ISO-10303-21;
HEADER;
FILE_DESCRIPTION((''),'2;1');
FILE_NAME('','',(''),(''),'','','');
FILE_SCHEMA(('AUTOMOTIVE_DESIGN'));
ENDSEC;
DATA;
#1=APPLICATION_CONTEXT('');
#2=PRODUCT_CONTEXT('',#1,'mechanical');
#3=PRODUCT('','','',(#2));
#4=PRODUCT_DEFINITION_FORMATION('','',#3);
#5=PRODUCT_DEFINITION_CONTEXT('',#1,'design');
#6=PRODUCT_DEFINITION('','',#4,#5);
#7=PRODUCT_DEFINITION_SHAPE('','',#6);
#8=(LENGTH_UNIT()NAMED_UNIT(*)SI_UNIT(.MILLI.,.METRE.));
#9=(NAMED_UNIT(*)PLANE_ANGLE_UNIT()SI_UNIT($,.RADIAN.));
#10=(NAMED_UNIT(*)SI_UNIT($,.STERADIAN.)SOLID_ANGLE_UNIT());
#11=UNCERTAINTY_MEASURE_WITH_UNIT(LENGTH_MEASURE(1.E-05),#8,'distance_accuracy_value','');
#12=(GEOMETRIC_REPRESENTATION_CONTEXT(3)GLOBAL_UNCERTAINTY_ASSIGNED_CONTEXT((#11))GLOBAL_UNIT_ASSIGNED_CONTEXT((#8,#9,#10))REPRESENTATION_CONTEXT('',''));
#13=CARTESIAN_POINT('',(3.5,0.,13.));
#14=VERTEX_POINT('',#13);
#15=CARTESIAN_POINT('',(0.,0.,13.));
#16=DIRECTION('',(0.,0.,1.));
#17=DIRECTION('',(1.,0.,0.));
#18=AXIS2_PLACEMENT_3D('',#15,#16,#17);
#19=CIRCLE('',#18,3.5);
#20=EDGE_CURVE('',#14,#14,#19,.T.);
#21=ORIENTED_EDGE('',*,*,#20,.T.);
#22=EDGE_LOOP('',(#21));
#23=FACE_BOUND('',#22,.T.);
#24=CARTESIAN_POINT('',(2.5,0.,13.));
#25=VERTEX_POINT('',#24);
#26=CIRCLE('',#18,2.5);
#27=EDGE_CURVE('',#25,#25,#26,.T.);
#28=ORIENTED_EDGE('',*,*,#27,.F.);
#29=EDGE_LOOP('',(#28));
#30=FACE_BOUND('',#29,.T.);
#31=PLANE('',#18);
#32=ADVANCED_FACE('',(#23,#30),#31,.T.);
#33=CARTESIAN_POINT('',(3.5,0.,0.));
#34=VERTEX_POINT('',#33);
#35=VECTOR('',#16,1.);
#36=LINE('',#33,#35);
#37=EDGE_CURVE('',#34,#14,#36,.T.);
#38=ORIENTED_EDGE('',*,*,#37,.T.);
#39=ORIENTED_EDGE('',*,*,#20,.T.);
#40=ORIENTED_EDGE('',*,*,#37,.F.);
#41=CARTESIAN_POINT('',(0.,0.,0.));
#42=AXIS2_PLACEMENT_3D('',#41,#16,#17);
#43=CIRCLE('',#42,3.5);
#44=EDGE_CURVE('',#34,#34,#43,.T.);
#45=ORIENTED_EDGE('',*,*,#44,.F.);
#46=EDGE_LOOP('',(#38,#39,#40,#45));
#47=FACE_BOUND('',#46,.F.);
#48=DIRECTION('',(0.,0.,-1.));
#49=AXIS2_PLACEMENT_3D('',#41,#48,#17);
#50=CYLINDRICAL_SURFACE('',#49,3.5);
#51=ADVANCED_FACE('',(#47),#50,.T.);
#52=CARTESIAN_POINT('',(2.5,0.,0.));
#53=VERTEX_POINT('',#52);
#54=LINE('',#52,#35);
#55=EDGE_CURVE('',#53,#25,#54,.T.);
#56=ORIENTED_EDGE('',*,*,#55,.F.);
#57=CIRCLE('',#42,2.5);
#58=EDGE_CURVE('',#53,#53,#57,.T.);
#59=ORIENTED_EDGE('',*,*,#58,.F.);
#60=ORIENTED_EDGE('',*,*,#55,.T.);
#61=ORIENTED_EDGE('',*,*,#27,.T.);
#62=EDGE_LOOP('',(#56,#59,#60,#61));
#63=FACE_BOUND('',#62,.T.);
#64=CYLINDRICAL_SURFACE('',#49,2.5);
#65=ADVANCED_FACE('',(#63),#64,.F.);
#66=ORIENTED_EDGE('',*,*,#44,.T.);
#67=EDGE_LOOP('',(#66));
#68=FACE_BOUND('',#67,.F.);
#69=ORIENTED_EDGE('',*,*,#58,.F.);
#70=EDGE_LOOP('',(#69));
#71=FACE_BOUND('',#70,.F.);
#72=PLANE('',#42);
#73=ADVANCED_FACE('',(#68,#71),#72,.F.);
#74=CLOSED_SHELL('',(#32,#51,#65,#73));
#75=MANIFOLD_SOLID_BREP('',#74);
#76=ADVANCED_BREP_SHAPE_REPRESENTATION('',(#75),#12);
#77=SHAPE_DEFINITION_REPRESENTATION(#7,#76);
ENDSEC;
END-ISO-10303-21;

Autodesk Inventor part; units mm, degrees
ref_plane "YZ Plane" through (0, 0, 0) normal (1, 0, 0) x (0, 1, 0)
ref_plane "XZ Plane" through (0, 0, 0) normal (0, 1, 0) x (-1, 0, 0)
ref_plane "XY Plane" through (0, 0, 0) normal (0, 0, 1) x (1, 0, 0)
sketch "Skizze1" plane through (0, 0, 0) normal (0, 0, 1) x (1, 0, 0)
  circle A0 centre (0, 0) radius 2.5
  circle A1 centre (0, 0) radius 3.5
  dimension "d0" = 7
  dimension "d1" = 5
extrude "Extrusion1" add sketch "Skizze1" along normal blind 13
properties part number "13_0204_018"
